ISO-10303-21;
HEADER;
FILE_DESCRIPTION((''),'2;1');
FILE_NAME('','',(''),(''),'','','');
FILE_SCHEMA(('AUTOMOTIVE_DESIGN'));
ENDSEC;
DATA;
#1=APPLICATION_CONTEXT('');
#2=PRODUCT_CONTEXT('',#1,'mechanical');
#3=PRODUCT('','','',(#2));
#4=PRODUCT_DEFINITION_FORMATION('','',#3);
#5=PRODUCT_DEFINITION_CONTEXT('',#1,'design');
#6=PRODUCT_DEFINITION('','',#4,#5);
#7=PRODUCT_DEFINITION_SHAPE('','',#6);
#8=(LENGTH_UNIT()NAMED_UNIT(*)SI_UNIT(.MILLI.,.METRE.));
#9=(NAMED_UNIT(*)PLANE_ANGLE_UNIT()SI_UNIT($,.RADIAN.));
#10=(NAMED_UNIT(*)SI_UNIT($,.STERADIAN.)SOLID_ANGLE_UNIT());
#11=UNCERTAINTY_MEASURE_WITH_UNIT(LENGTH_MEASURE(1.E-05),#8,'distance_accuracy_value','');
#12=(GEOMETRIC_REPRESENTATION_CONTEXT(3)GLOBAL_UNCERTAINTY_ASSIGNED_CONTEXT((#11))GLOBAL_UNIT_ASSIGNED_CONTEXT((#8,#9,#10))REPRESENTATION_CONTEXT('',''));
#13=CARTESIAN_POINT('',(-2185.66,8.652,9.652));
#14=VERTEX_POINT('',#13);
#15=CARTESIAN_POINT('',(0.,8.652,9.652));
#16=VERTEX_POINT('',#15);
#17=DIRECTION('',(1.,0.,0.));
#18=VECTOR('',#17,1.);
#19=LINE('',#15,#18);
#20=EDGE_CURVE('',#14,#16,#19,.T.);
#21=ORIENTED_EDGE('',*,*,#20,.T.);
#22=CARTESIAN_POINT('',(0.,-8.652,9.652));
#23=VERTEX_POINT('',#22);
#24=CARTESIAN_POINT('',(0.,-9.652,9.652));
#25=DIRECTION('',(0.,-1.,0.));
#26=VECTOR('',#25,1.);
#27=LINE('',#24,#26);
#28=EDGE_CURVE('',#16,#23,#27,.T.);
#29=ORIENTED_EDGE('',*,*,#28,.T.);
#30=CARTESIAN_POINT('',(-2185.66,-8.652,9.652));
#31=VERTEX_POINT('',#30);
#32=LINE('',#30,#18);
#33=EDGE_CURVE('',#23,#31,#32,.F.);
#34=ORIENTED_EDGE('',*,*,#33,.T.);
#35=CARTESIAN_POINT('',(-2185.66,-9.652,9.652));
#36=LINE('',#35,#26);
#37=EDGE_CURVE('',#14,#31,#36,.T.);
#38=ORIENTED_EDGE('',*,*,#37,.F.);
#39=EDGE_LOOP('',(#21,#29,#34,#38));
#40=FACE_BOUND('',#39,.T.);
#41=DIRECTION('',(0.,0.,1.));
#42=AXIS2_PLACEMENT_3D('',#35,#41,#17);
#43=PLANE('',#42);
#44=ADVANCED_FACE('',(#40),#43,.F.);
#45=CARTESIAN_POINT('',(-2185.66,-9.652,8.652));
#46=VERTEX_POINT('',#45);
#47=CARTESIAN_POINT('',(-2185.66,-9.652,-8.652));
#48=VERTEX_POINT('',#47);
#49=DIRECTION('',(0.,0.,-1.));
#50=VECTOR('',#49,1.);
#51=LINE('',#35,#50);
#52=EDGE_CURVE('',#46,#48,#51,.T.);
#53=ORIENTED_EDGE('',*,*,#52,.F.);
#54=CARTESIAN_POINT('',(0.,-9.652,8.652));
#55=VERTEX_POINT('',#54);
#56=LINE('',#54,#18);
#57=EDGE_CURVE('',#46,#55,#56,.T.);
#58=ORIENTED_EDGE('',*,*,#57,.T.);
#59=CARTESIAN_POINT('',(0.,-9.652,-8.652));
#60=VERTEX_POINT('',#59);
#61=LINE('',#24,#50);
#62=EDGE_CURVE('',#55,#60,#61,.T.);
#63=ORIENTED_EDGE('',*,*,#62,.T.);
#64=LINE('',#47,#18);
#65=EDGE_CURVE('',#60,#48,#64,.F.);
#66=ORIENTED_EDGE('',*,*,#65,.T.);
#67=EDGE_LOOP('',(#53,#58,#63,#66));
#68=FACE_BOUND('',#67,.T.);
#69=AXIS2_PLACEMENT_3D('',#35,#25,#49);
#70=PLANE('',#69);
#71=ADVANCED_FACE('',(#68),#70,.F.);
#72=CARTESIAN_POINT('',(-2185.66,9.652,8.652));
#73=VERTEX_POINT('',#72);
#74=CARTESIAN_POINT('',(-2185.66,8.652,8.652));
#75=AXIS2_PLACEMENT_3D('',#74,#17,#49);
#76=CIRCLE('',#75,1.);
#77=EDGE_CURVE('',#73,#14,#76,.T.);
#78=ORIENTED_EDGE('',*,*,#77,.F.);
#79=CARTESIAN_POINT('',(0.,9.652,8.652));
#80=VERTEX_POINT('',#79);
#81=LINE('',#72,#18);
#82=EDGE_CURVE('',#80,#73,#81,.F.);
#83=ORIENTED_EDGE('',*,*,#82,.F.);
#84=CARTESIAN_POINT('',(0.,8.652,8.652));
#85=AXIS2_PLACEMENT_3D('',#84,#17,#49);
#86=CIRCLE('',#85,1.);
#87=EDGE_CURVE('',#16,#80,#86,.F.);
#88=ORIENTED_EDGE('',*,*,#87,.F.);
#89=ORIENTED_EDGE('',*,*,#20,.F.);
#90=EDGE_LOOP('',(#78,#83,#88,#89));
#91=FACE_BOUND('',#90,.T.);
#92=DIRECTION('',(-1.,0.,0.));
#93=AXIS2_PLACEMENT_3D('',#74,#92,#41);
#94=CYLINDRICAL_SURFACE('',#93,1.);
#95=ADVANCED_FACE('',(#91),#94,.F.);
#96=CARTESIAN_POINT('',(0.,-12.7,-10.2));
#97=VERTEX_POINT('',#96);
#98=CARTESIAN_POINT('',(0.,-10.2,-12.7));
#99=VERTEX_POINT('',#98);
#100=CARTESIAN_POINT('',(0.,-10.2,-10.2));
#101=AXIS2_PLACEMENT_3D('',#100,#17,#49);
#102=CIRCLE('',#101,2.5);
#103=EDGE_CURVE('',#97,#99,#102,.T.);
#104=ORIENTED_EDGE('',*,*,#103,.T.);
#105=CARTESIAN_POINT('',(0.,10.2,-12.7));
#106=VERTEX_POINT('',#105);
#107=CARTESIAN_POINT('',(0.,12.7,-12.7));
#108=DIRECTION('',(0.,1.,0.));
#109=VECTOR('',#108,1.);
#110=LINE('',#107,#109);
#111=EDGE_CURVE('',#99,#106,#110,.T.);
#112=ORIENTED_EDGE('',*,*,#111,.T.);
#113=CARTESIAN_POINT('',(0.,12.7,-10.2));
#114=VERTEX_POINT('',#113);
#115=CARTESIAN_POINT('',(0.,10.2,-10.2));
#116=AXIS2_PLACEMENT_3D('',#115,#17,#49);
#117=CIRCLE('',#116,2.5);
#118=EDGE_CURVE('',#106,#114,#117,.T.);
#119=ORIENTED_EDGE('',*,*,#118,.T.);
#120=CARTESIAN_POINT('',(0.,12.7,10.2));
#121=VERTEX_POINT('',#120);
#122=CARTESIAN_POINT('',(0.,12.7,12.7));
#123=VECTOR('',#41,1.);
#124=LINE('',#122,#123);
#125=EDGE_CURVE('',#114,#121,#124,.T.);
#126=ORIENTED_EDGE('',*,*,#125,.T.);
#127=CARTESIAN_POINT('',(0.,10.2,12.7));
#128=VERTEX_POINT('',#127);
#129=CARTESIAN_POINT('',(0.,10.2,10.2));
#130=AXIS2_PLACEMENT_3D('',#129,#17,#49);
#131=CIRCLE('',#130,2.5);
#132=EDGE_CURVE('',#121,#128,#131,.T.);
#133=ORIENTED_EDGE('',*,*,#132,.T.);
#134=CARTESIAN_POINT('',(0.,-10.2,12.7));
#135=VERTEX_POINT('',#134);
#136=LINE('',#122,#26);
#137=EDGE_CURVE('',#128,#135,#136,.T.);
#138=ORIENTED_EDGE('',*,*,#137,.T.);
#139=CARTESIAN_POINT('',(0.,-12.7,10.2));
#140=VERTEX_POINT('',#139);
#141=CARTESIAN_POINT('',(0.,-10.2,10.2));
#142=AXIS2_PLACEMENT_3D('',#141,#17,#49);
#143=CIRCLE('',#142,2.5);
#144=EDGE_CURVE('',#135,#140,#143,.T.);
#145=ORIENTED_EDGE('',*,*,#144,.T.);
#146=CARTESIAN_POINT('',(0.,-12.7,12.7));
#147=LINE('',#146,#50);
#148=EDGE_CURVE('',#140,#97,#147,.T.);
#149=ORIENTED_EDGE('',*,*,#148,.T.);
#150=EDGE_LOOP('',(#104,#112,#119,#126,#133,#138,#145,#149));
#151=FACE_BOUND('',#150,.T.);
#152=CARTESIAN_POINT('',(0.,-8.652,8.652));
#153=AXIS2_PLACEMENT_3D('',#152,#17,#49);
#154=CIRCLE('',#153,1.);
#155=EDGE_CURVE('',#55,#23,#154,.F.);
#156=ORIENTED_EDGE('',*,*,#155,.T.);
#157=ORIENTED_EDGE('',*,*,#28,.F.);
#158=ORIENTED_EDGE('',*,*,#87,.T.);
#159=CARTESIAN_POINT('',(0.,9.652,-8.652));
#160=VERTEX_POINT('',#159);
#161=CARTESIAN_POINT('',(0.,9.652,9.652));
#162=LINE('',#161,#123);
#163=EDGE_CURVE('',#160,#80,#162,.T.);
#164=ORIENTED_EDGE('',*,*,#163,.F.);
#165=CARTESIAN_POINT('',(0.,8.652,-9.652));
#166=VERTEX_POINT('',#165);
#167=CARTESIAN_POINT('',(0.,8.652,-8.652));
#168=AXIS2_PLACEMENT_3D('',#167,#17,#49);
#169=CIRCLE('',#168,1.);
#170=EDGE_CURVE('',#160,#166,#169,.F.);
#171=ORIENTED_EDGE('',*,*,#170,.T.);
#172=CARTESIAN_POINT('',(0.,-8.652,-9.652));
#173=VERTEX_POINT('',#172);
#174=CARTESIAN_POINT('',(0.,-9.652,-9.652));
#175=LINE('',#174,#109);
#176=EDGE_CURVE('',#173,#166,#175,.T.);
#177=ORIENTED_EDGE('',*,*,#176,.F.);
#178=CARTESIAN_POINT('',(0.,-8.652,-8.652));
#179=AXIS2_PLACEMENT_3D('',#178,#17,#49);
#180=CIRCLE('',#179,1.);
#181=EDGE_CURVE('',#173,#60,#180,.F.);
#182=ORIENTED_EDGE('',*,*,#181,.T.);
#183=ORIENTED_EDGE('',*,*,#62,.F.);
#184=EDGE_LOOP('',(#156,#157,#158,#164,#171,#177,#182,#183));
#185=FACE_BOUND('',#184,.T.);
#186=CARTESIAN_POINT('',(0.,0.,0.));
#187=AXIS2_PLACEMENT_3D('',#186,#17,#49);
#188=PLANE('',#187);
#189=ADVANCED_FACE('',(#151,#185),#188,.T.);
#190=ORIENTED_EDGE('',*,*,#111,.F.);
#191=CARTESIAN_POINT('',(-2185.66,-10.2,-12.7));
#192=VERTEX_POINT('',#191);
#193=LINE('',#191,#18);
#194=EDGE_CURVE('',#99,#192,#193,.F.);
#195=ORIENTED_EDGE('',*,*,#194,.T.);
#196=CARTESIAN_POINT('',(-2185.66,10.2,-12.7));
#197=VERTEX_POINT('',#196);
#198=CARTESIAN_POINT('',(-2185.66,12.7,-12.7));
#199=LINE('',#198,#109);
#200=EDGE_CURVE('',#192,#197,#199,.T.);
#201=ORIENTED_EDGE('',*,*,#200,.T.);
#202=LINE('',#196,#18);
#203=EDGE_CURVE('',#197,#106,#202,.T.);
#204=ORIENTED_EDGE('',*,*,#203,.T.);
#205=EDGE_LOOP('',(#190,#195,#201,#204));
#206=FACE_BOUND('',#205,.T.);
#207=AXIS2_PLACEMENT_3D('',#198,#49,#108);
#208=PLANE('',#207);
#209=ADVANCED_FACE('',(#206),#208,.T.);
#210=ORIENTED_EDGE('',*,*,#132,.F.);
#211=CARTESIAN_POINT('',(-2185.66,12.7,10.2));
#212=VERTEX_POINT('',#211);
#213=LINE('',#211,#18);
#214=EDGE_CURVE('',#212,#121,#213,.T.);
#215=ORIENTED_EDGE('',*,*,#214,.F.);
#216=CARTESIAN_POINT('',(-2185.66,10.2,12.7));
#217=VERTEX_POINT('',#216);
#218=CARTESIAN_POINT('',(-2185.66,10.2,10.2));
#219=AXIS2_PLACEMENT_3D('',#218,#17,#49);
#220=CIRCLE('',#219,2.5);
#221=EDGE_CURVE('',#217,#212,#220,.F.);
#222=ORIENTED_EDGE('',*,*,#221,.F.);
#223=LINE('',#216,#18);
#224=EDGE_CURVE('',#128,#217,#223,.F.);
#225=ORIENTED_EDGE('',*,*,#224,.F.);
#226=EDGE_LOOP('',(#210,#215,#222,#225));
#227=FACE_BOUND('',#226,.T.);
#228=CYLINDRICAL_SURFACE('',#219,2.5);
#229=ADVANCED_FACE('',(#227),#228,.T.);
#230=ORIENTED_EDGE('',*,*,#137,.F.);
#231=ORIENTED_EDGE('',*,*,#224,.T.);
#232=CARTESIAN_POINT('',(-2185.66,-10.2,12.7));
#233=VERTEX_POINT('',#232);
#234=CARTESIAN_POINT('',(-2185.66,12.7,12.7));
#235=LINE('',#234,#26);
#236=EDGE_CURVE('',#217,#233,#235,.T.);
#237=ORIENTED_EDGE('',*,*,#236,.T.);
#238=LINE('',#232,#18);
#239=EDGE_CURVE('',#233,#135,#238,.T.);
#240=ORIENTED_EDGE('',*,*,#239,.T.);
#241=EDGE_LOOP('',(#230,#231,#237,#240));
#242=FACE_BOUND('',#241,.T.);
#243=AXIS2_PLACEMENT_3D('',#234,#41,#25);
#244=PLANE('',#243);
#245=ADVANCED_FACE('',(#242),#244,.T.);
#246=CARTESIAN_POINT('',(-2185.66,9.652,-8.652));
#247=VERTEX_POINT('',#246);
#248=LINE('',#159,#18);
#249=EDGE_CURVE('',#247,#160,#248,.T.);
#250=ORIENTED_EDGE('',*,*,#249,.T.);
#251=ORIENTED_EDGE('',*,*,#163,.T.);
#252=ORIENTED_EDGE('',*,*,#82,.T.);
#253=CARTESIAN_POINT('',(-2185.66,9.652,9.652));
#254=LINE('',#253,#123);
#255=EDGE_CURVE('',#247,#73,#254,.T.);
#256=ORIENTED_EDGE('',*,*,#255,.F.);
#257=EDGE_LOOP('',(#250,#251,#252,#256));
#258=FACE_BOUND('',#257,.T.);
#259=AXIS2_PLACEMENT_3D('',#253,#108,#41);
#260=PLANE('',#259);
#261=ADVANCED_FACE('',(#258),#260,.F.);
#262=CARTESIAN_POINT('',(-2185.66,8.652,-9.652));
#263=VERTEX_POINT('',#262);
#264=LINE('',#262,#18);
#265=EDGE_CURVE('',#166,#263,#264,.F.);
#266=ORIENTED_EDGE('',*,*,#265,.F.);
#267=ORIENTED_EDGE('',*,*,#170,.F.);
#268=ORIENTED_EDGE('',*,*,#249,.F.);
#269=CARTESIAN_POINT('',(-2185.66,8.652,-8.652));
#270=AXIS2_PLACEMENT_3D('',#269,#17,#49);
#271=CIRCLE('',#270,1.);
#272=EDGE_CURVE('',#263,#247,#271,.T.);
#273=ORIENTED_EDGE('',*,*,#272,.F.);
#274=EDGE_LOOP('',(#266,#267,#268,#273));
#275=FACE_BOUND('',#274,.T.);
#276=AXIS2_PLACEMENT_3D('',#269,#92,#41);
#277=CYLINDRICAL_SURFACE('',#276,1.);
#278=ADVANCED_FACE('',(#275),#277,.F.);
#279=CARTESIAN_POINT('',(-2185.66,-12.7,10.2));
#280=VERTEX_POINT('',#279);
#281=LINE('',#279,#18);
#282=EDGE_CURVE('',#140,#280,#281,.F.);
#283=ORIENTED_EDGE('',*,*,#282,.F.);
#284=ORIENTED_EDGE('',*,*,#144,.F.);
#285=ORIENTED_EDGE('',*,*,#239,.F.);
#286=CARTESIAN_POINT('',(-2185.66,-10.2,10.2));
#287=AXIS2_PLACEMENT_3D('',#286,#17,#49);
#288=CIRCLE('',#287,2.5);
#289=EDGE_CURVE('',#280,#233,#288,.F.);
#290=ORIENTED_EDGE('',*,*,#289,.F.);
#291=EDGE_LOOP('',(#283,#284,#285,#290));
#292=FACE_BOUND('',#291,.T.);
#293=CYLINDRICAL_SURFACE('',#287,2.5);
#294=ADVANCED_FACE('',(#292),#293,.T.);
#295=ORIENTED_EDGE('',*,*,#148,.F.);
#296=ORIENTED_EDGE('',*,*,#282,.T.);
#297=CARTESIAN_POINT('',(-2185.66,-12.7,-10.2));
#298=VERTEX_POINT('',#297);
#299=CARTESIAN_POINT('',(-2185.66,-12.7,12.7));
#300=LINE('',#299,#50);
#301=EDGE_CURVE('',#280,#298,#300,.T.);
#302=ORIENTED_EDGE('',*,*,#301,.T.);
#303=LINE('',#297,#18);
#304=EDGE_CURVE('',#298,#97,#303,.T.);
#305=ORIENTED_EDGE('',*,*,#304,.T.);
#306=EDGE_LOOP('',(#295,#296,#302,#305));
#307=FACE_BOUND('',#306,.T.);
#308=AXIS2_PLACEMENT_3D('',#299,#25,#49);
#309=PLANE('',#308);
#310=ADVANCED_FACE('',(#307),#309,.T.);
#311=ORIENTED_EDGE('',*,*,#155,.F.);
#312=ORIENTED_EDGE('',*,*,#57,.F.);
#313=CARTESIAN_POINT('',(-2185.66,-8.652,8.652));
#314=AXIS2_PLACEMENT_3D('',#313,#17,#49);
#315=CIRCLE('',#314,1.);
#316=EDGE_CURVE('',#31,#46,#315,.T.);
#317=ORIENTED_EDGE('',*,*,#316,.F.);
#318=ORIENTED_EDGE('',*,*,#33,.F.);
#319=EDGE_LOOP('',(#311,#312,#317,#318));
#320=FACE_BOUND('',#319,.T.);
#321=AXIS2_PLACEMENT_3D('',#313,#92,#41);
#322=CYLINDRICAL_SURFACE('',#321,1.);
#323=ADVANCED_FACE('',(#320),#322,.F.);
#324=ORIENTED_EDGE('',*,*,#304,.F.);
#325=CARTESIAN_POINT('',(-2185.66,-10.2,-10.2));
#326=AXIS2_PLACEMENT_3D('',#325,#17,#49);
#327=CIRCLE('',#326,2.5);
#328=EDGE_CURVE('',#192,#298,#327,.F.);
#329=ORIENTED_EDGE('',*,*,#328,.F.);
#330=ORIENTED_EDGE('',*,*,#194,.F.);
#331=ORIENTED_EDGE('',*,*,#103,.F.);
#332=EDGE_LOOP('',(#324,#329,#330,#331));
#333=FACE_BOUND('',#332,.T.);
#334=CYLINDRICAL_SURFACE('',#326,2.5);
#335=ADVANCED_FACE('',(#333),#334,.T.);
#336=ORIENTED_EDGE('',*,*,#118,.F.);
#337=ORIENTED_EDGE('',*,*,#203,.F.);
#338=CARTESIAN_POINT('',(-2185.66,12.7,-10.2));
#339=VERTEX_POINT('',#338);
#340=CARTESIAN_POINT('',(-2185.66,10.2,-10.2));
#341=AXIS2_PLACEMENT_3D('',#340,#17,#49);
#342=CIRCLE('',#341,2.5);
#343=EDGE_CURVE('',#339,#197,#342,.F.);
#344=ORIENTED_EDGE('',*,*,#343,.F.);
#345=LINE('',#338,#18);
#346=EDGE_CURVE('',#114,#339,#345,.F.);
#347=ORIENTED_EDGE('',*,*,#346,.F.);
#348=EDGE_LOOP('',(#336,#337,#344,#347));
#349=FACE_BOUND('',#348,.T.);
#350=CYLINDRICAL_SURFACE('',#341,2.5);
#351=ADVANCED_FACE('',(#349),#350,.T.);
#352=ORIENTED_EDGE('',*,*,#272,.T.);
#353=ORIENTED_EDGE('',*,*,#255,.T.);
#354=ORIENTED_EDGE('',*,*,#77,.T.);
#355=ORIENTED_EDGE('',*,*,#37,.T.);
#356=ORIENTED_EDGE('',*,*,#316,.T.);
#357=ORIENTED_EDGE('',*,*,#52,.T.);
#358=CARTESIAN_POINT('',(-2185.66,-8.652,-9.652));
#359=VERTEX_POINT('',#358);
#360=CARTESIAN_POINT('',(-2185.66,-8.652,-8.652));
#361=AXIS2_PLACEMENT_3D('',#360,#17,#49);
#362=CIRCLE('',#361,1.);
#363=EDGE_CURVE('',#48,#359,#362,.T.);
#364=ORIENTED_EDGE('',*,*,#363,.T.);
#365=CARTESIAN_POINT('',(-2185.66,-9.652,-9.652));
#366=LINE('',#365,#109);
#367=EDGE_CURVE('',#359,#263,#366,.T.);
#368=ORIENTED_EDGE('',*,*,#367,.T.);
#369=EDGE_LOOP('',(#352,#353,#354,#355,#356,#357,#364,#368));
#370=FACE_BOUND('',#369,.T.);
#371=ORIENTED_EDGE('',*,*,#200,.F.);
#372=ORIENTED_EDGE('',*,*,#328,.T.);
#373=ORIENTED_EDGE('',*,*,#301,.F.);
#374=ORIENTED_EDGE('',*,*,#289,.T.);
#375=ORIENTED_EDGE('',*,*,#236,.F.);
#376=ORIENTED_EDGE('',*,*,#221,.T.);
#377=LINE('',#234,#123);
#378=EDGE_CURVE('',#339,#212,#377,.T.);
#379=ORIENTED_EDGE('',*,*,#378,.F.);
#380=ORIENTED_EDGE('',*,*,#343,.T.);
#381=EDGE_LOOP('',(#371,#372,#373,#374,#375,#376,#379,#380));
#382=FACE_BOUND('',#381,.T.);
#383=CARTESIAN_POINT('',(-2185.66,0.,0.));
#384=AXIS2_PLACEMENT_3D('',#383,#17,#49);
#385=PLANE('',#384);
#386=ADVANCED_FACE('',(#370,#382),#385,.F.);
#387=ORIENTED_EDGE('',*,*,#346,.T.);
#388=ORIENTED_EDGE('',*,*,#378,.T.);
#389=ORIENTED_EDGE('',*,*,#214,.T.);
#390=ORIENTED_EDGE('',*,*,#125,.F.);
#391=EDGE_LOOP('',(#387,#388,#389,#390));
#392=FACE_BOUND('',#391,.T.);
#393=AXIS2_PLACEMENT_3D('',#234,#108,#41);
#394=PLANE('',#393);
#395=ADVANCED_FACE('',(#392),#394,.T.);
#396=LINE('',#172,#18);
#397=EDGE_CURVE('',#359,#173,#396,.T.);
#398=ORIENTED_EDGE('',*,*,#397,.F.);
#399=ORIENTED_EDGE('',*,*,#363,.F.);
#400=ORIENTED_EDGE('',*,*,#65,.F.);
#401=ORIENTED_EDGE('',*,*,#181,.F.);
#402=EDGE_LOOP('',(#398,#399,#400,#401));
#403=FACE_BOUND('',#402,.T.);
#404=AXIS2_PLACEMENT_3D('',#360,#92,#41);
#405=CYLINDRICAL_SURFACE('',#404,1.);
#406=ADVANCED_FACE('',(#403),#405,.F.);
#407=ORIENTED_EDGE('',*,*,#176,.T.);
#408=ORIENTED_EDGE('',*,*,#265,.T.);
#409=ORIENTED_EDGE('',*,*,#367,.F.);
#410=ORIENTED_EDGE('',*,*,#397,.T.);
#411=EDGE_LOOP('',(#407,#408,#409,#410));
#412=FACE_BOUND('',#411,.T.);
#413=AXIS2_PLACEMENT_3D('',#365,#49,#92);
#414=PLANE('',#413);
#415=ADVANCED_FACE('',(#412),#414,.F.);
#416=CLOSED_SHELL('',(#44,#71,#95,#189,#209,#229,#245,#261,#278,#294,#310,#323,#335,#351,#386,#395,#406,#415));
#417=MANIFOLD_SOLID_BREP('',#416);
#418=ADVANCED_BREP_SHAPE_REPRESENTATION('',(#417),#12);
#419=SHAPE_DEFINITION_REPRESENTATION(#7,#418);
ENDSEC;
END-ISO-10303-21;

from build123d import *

# Parameters (mm, degrees)
SKETCH3_W           = 25.4
SKETCH3_H           = 25.4
SKETCH3_W_2         = 19.304
SKETCH3_H_2         = 19.304
BOSS_EXTRUDE1_DEPTH = 2185.66
FILLET1_R           = 2.5
FILLET2_R           = 1


with BuildPart() as part:
    # Sketch3 → Boss-Extrude1 (new body)
    with BuildSketch(Plane(origin=(0, 0, 0), x_dir=(0, 0, -1), z_dir=(1, 0, 0))):
        Rectangle(SKETCH3_W, SKETCH3_H)
        Rectangle(SKETCH3_W_2, SKETCH3_H_2, mode=Mode.SUBTRACT)
    extrude(amount=-BOSS_EXTRUDE1_DEPTH)

    # Fillet1
    fillet1_edges = [part.edges().sort_by_distance(p)[0] for p in [
        (-1092.83, -12.7, -12.7),
        (-1092.83, -12.7, 12.7),
        (-1092.83, 12.7, 12.7),
        (-1092.83, 12.7, -12.7),
    ]]
    fillet(fillet1_edges, radius=FILLET1_R)

    # Fillet2
    fillet2_edges = [part.edges().sort_by_distance(p)[0] for p in [
        (-1092.83, 9.652, -9.652),
        (-1092.83, -9.652, -9.652),
        (-1092.83, -9.652, 9.652),
        (-1092.83, 9.652, 9.652),
    ]]
    fillet(fillet2_edges, radius=FILLET2_R)


solid = part.part
